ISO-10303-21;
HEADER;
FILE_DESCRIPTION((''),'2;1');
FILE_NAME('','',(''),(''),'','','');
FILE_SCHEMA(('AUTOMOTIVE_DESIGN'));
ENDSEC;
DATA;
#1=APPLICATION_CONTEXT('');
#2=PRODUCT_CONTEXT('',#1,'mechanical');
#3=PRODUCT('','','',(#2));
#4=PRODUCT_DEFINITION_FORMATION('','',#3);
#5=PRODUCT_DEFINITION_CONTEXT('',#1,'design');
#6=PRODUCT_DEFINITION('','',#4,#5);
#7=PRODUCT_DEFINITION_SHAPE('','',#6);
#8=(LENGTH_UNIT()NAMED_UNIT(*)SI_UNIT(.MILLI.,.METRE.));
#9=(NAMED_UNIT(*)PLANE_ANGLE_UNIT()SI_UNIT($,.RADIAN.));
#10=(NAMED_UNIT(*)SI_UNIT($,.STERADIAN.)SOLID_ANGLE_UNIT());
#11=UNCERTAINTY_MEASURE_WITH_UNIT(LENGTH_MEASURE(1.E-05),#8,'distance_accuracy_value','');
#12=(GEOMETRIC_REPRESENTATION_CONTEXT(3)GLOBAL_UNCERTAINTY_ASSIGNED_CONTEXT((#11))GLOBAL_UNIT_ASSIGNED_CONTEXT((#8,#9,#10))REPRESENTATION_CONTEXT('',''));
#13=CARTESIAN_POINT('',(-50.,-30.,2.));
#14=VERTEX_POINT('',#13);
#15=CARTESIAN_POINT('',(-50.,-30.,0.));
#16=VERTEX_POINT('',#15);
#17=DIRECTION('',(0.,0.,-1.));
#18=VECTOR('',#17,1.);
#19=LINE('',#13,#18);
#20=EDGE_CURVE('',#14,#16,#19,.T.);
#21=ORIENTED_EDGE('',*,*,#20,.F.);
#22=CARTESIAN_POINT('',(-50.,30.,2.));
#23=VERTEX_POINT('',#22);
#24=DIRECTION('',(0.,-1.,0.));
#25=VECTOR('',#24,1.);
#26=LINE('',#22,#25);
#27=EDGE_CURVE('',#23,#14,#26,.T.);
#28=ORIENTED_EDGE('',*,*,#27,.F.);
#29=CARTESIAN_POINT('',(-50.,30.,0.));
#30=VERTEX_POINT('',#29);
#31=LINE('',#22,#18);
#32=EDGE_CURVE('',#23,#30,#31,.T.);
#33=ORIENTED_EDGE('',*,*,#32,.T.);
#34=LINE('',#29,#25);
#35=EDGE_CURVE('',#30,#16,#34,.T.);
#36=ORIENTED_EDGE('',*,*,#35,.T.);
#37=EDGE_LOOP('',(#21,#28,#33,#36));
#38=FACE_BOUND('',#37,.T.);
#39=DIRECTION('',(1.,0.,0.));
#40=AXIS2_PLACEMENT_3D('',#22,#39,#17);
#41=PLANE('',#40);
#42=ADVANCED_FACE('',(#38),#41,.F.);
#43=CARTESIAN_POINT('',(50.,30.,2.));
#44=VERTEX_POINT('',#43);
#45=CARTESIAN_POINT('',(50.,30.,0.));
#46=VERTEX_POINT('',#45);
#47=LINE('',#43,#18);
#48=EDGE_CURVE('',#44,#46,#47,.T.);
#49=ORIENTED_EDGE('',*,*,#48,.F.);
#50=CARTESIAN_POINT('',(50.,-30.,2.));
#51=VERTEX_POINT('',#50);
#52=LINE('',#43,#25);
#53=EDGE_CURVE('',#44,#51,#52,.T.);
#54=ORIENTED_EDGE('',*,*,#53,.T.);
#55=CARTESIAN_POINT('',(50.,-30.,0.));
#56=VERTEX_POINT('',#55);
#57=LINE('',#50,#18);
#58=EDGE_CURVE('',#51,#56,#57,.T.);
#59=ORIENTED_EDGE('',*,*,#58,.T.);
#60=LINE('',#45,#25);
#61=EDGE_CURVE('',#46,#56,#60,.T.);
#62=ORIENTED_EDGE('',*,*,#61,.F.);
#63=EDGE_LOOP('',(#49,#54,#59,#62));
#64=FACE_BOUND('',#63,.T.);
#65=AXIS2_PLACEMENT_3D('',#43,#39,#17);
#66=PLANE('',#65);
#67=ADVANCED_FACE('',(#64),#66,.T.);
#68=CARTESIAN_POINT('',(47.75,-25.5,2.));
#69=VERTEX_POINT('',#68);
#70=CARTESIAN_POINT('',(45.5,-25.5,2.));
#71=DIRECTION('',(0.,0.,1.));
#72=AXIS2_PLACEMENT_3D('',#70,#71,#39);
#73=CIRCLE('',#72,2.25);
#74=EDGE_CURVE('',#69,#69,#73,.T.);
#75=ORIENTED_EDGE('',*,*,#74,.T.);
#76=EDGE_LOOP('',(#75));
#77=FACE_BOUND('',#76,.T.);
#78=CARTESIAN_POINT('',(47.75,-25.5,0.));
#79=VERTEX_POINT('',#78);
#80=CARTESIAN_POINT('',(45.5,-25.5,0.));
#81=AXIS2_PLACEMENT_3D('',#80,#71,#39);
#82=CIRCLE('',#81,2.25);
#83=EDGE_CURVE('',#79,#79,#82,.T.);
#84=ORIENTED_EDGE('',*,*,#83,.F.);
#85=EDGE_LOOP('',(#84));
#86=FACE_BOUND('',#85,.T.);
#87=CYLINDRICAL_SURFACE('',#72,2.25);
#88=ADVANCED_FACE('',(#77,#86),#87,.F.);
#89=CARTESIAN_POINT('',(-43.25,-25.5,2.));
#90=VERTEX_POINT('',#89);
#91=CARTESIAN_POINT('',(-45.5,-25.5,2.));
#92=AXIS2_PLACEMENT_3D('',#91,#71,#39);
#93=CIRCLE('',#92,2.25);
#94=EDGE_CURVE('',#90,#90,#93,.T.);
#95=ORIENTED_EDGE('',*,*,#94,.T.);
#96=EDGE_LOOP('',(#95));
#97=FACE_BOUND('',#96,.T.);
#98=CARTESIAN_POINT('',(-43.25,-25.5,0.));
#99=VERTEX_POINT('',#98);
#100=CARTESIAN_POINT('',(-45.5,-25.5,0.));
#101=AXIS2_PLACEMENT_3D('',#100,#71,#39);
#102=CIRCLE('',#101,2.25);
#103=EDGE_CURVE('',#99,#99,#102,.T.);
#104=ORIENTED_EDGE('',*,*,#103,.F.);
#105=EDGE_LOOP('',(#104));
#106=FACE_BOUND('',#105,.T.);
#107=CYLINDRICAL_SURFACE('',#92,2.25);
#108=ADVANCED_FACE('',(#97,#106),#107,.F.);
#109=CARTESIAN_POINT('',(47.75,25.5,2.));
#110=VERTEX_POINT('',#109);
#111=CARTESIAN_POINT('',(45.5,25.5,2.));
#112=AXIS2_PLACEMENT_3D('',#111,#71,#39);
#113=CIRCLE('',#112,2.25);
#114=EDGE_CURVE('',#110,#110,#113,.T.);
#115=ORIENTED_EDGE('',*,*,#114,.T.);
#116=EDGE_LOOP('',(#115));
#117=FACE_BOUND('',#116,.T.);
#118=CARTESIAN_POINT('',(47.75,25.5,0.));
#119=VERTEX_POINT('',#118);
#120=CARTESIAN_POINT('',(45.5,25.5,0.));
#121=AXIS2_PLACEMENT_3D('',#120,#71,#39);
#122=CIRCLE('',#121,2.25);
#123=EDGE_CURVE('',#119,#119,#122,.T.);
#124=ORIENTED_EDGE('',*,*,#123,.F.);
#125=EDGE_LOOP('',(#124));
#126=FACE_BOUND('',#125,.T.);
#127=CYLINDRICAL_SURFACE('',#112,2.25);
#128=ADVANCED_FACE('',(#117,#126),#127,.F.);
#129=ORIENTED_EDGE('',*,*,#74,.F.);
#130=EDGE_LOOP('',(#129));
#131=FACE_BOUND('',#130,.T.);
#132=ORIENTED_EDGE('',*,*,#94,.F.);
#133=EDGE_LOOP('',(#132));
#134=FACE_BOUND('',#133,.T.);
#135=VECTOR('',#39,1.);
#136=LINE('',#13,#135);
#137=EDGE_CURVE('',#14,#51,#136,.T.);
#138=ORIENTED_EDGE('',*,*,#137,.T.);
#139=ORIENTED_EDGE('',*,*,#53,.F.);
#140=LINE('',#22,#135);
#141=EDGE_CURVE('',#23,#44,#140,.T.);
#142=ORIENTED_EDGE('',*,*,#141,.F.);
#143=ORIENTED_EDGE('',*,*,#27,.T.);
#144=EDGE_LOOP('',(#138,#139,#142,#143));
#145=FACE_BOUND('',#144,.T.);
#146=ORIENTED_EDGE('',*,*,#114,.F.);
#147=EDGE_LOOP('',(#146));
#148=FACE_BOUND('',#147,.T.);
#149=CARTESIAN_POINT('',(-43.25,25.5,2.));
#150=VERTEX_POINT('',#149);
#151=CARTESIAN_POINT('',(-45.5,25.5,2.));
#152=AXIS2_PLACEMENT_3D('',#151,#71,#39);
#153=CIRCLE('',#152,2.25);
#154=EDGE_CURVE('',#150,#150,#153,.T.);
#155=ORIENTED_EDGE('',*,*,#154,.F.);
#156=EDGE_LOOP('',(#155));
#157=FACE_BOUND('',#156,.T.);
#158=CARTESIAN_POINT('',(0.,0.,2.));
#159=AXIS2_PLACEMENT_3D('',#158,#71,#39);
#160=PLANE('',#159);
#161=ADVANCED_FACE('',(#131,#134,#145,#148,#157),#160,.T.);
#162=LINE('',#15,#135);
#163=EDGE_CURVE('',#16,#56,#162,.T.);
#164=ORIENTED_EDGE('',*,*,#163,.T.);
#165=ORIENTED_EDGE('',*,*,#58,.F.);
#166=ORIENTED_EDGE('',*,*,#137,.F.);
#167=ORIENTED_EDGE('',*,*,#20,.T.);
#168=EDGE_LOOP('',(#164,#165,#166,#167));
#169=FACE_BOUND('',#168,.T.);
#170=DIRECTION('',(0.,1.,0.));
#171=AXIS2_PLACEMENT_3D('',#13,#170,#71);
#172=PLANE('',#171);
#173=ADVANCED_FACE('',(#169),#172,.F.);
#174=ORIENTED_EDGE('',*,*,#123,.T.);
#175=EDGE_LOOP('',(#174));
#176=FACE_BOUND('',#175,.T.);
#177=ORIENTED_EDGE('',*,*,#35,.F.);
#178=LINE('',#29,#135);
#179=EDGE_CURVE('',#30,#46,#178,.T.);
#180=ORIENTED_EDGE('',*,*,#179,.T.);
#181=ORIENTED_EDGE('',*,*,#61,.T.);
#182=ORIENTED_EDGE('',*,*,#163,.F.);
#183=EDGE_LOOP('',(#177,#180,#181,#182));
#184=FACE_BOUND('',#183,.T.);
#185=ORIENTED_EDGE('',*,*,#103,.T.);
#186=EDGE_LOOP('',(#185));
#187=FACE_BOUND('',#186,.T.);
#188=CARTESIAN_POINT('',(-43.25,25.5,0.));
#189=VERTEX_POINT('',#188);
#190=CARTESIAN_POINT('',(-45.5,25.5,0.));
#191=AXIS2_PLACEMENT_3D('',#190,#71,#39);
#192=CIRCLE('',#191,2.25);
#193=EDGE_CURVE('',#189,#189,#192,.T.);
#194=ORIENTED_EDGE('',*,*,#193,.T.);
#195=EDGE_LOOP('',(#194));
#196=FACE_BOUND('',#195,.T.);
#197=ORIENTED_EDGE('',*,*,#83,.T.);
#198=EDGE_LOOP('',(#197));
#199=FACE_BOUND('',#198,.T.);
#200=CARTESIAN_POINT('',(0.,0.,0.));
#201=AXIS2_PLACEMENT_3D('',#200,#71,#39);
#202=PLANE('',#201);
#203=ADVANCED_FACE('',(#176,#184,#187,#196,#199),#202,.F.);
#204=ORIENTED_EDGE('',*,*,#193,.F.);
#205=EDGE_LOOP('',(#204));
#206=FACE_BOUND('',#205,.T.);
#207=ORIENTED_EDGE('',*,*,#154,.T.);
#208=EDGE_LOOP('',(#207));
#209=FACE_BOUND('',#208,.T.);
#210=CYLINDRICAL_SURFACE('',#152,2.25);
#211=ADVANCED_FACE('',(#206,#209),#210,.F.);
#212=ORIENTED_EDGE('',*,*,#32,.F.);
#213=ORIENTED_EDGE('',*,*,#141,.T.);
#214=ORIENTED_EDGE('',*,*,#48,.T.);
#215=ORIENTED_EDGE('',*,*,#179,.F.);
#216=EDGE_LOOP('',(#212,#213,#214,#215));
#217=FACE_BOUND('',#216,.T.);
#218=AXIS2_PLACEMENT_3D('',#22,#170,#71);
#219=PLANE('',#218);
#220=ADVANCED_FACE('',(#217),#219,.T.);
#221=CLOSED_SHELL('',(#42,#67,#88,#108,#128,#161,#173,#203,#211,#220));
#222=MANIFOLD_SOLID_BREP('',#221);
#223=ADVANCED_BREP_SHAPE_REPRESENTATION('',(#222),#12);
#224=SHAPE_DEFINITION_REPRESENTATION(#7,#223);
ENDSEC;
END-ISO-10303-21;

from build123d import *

# Parameters (mm, degrees)
SKETCH1_W            = 100
SKETCH1_H            = 60
BOSS_EXTRUDE1_DEPTH  = 2
M4_CLEARANCE_HOLE1_D = 4.5


with BuildPart() as part:
    # Sketch1 → Boss-Extrude1 (new body)
    with BuildSketch(Plane.XY):
        Rectangle(SKETCH1_W, SKETCH1_H)
    extrude(amount=BOSS_EXTRUDE1_DEPTH)

    # M4 Clearance Hole1 (through all)
    with Locations(Plane(origin=(-45.5, 25.5, 2), x_dir=(1, 0, 0), z_dir=(0, 0, 1))):
        with Locations((0, 0), (0, -51), (91, -51), (91, 0)):
            Hole(M4_CLEARANCE_HOLE1_D / 2)


solid = part.part
